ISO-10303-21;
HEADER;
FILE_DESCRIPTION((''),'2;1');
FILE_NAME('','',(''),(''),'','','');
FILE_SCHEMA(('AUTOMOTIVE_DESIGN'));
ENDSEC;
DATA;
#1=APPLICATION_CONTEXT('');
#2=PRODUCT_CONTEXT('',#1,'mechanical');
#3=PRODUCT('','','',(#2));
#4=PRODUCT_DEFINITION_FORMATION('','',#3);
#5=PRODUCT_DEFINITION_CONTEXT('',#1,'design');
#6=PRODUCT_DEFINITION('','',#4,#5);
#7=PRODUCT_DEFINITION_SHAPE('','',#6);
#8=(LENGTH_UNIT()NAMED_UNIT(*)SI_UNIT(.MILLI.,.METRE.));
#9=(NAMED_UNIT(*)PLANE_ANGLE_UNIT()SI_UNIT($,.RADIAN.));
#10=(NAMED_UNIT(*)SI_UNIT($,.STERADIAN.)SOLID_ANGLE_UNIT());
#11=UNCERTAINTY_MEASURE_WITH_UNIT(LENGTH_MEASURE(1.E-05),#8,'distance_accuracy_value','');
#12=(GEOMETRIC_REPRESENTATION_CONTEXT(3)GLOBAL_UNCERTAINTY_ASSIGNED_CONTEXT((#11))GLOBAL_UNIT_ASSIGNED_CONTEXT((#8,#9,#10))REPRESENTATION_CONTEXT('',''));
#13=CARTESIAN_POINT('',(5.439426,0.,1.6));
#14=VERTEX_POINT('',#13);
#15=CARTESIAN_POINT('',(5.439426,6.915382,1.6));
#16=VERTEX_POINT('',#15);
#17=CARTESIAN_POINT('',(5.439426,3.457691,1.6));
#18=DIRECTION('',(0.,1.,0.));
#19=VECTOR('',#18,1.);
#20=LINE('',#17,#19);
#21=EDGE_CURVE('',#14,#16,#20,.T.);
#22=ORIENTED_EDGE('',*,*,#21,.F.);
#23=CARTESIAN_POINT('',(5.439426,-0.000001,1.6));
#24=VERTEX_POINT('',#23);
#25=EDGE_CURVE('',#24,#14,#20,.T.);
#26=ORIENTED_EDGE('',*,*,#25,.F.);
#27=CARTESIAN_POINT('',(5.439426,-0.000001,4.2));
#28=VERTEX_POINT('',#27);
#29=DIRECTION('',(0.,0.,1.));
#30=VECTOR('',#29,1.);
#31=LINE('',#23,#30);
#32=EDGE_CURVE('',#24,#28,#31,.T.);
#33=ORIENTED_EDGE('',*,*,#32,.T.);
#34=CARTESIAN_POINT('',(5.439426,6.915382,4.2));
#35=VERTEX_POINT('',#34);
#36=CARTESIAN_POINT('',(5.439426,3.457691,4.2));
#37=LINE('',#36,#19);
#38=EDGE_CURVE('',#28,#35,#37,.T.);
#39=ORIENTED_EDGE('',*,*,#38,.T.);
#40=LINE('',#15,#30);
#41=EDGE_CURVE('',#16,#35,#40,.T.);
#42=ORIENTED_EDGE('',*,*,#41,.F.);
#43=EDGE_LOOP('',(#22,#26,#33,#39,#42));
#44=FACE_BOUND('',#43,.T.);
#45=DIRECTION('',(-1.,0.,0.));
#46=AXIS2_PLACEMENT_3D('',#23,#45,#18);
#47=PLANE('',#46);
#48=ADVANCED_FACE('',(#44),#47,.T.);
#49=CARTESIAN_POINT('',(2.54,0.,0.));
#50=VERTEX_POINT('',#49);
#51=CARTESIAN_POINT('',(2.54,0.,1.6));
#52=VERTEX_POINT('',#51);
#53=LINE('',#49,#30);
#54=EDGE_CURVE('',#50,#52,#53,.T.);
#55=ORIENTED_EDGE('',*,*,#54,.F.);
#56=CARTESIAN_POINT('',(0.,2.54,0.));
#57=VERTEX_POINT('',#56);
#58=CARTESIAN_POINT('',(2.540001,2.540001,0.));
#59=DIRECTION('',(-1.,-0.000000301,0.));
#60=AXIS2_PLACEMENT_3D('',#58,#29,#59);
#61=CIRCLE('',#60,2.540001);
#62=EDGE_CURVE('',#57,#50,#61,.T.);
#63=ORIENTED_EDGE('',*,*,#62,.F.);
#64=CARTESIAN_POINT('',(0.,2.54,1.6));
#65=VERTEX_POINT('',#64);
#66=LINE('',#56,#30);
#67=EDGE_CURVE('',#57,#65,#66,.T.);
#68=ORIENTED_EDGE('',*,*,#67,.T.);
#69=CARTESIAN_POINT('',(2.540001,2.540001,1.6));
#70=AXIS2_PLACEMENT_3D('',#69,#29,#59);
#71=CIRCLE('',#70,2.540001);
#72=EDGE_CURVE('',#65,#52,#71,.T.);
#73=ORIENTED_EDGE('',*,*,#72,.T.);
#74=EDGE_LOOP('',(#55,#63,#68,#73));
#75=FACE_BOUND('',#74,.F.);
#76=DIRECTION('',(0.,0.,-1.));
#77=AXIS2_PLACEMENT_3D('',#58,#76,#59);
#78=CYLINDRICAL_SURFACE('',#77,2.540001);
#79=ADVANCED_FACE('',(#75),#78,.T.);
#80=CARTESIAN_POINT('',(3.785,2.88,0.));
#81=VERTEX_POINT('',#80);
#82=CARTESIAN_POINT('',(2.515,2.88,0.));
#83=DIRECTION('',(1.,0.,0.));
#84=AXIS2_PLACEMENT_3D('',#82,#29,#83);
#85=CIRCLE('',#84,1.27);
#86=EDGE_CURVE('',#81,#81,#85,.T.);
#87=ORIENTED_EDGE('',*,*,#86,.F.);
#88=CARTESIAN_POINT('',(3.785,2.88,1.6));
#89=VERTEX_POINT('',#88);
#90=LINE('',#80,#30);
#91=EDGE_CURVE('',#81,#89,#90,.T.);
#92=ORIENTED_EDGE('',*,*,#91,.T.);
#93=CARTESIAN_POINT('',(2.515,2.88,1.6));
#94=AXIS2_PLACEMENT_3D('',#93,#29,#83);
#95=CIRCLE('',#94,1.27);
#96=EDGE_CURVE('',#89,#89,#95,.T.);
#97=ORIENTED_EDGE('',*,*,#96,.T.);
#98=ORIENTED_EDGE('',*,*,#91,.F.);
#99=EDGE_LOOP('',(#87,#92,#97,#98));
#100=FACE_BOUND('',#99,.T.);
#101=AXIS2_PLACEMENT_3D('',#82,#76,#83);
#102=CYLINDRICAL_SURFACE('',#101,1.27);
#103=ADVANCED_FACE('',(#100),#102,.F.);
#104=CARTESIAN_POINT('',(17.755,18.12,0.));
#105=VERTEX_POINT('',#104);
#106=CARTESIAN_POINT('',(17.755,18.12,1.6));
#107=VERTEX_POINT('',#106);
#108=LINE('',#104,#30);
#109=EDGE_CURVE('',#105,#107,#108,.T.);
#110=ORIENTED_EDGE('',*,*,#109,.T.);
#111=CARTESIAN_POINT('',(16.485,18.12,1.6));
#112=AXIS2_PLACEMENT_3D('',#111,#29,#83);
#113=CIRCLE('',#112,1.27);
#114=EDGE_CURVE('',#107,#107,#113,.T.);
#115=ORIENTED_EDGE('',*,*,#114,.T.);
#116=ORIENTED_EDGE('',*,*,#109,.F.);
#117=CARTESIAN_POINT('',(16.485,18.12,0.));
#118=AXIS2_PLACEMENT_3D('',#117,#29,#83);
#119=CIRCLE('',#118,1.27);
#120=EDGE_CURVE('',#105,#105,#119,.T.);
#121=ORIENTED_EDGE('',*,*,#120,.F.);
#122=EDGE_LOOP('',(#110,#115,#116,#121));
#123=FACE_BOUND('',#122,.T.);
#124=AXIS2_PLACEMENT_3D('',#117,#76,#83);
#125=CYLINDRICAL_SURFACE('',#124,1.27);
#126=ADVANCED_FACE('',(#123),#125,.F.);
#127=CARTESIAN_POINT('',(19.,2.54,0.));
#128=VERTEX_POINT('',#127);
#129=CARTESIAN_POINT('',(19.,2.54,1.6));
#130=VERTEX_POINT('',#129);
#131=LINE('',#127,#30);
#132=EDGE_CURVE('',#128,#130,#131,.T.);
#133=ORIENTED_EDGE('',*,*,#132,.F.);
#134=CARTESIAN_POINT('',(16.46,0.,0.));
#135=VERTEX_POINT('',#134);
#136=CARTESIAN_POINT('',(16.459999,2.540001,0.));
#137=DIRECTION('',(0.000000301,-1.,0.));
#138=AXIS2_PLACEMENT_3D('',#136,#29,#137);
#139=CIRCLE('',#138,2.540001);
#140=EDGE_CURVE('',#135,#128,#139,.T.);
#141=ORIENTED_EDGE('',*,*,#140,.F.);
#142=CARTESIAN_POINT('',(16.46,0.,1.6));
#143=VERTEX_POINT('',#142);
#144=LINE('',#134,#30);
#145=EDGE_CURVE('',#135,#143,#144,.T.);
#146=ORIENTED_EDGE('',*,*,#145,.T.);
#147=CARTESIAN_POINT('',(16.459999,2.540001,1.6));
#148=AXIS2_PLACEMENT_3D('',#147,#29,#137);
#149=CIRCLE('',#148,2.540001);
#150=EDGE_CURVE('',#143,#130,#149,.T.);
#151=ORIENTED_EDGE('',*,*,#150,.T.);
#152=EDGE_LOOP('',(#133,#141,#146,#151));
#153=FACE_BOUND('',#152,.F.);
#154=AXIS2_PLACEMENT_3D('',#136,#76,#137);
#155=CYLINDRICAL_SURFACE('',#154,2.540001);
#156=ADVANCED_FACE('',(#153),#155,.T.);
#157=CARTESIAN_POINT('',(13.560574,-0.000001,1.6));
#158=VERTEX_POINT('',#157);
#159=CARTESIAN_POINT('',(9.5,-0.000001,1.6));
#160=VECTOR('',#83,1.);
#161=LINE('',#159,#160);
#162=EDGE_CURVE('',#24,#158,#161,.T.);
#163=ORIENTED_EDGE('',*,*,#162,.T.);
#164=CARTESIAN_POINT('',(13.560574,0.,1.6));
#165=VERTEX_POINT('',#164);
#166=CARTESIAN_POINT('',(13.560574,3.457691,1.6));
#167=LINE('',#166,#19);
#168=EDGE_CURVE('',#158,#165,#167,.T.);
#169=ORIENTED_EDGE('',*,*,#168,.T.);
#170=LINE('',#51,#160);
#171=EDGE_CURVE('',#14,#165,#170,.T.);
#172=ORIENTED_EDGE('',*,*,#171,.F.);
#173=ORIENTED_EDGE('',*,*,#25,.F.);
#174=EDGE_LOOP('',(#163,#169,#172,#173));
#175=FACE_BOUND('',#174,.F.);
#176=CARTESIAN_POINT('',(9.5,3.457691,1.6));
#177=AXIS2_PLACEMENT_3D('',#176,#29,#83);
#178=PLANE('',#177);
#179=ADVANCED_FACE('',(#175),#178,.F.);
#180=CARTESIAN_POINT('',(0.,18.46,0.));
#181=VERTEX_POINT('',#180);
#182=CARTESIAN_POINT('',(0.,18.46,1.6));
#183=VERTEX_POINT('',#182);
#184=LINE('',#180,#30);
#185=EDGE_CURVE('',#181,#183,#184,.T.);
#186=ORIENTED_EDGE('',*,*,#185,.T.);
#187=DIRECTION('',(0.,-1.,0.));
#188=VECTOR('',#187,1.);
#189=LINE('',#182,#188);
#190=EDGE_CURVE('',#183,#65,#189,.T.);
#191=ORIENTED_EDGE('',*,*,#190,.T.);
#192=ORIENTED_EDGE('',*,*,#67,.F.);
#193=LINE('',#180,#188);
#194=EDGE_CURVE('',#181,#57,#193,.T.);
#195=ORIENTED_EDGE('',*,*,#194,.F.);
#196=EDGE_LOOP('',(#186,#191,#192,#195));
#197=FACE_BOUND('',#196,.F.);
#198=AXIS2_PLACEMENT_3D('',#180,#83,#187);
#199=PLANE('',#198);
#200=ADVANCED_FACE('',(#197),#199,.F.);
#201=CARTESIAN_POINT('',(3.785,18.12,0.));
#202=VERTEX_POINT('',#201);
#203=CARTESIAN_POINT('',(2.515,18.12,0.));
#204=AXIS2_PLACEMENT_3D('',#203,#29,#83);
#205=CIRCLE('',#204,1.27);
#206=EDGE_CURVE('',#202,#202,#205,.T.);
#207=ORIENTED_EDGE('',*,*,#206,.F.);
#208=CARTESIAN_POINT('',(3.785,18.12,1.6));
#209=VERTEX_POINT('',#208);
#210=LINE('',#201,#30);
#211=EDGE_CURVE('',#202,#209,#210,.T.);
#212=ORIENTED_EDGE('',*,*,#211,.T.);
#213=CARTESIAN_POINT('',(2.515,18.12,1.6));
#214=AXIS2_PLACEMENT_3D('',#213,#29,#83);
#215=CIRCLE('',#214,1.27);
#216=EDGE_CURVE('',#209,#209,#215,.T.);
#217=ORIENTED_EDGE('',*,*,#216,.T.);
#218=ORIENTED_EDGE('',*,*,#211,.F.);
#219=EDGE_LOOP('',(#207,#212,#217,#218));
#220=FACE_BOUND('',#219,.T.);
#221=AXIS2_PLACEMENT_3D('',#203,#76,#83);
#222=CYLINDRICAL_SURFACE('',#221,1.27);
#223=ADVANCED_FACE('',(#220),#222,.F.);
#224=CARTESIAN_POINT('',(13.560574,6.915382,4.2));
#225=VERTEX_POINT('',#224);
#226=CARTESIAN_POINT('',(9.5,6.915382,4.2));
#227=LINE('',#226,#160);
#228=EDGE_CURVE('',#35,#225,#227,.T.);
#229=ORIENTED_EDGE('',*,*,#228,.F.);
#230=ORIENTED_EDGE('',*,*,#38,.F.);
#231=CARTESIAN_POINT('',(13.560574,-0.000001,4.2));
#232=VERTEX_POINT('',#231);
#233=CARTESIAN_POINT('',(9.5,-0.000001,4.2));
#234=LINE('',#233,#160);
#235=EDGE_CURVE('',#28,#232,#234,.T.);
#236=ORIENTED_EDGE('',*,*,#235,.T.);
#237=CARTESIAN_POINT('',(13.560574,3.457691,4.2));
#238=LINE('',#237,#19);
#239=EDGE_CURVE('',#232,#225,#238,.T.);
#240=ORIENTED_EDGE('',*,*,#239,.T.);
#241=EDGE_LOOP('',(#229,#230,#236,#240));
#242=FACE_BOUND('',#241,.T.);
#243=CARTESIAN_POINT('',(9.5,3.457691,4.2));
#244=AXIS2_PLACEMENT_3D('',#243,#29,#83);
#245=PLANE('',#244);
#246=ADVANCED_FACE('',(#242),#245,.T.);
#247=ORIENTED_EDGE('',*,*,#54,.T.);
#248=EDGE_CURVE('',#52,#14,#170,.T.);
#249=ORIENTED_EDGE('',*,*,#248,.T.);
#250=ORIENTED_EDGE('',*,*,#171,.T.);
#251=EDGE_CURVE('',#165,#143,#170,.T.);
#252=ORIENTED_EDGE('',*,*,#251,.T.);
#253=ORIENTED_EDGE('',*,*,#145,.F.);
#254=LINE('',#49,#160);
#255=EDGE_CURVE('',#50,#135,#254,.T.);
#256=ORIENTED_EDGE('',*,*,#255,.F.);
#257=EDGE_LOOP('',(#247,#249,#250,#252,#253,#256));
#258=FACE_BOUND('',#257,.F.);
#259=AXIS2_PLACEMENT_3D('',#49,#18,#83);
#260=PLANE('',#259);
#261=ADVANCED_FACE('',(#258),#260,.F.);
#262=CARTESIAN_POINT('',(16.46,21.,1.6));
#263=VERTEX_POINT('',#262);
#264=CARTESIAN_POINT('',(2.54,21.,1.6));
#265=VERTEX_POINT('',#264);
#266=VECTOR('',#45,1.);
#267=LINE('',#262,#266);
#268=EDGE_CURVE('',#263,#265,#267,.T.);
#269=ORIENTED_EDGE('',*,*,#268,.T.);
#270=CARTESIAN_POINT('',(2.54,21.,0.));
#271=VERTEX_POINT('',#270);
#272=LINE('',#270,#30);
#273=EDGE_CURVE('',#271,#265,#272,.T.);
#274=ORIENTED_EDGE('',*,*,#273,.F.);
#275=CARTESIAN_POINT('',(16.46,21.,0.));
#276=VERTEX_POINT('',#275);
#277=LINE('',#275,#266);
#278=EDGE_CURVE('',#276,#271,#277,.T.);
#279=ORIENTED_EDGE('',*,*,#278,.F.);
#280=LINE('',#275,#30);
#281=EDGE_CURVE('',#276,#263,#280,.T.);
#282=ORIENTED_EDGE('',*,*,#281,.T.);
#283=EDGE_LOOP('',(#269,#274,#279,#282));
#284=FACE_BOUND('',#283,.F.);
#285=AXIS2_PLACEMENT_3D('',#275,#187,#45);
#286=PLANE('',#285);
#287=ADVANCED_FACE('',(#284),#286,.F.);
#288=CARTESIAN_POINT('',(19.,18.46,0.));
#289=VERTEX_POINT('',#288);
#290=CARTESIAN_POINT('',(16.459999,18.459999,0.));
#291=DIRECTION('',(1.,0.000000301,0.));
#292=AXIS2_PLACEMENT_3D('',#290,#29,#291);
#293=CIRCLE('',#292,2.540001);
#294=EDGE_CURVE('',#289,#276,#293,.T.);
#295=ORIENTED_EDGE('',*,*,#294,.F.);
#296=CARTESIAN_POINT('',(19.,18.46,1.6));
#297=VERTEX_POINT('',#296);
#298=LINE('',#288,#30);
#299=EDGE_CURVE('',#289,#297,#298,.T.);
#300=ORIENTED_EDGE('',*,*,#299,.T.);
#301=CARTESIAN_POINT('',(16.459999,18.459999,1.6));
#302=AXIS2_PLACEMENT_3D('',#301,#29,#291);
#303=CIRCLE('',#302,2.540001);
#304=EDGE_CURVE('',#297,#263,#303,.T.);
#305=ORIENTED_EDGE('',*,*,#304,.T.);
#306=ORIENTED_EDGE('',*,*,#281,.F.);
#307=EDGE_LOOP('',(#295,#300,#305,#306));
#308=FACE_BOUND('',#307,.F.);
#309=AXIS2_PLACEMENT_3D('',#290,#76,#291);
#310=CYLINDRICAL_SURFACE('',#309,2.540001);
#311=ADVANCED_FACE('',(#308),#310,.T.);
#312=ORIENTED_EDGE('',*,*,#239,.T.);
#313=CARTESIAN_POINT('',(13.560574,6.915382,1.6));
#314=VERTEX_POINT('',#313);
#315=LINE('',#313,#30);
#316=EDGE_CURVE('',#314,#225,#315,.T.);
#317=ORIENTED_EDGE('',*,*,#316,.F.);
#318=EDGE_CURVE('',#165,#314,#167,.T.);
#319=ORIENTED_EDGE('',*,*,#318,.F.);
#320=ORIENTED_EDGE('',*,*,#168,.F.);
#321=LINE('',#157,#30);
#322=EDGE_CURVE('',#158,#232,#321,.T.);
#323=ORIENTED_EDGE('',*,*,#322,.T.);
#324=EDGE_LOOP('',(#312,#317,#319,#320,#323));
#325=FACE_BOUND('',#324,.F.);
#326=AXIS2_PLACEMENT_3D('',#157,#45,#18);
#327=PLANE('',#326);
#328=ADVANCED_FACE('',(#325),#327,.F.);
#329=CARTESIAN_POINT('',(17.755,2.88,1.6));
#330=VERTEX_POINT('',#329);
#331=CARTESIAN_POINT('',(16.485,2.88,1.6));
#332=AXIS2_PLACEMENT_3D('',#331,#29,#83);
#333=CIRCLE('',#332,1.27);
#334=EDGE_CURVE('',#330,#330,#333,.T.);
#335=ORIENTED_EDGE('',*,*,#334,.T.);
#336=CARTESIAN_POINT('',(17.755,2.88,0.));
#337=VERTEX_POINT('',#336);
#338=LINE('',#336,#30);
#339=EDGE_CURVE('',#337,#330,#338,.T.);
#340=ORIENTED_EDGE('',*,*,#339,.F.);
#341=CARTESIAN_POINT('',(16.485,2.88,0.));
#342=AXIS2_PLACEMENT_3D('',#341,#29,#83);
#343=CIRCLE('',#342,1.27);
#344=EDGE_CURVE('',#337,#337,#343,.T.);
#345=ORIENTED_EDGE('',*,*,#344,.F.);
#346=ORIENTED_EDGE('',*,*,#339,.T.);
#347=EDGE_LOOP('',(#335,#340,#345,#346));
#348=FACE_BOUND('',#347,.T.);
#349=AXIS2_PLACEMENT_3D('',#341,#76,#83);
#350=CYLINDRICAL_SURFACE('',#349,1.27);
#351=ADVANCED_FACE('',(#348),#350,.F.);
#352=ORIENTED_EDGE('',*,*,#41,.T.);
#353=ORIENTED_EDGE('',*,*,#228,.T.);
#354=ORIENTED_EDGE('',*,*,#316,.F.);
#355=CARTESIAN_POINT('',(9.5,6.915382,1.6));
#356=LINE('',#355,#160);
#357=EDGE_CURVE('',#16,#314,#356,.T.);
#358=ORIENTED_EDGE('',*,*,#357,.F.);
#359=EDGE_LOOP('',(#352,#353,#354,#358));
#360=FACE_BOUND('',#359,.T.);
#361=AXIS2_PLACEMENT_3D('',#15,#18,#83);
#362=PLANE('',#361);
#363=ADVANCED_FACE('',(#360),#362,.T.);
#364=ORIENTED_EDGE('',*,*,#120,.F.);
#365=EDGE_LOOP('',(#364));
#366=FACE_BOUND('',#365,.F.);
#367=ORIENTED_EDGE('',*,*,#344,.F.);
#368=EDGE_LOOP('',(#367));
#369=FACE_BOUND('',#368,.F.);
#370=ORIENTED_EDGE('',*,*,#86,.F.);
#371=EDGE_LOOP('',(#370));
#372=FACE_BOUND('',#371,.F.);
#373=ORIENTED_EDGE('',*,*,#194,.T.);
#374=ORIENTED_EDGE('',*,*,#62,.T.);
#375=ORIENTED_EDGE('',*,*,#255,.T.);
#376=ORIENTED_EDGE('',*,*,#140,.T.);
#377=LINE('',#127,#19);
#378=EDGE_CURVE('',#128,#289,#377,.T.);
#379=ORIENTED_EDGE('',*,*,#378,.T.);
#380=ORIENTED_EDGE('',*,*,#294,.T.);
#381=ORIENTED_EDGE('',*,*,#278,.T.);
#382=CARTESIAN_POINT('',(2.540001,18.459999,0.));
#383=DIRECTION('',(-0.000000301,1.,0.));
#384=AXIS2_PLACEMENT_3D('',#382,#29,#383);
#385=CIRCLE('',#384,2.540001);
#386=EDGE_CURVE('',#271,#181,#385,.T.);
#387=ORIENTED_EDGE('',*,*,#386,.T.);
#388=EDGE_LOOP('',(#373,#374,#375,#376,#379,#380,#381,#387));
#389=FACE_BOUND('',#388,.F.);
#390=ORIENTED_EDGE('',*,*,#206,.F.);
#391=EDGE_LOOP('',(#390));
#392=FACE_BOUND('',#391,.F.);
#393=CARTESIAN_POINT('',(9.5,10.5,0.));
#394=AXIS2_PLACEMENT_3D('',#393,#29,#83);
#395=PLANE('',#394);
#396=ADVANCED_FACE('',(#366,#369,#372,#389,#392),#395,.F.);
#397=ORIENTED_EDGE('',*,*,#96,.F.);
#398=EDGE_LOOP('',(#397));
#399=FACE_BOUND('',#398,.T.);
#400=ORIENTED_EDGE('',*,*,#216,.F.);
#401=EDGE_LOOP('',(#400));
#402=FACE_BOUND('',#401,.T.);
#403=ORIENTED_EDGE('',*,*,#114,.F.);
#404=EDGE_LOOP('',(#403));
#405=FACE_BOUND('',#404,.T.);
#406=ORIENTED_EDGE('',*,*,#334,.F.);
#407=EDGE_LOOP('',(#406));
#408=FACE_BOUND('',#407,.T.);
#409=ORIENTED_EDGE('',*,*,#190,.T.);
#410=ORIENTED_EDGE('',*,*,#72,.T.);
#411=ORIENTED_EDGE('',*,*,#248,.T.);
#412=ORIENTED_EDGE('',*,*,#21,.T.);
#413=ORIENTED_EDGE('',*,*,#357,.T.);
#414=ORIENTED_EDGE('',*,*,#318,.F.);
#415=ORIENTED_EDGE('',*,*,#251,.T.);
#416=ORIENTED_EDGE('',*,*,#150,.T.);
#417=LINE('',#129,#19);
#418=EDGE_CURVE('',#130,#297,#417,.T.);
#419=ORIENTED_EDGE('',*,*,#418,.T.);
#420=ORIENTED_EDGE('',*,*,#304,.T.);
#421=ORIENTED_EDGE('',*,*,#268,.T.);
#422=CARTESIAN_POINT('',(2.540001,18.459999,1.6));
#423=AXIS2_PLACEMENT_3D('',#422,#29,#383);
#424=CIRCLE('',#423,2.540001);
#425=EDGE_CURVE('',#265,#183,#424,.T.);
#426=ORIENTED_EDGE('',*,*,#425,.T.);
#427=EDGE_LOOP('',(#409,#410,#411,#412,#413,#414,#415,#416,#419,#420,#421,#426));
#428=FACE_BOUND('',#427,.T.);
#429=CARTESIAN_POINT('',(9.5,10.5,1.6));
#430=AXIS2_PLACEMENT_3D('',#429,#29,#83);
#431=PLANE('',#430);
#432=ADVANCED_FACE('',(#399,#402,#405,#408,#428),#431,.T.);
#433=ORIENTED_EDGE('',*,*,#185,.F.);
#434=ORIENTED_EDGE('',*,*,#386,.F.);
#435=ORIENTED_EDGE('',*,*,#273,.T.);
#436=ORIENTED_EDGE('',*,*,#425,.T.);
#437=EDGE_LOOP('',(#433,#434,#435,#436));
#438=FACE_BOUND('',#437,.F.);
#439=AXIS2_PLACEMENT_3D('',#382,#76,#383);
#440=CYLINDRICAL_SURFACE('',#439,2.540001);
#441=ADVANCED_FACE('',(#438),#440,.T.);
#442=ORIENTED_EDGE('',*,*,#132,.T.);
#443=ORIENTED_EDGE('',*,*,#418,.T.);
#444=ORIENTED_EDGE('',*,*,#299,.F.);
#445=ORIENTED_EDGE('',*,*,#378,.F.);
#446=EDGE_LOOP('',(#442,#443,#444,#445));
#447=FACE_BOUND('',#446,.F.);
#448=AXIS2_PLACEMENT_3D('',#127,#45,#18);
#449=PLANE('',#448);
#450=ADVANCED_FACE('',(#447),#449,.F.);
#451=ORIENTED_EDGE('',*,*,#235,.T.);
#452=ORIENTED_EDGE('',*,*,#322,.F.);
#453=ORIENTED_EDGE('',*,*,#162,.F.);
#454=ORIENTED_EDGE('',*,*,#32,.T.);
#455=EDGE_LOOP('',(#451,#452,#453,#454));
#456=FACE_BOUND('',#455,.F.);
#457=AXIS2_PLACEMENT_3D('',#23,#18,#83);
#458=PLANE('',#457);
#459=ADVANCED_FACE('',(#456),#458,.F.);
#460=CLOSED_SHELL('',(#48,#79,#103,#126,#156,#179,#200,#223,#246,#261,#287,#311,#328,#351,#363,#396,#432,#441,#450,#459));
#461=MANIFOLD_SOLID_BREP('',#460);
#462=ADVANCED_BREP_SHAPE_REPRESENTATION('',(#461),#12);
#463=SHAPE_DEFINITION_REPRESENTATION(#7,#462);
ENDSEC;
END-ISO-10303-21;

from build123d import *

# Parameters (mm, degrees)
F0_R     = 1.27
F1_DEPTH = 1.6
F2_W     = 8.121148
F2_H     = 6.915383
F3_DEPTH = 2.6


with BuildPart() as f1:
    # F0 (on Top) → F1 (new body)
    with BuildSketch(Plane.XY):
        with BuildLine():
            ThreePointArc((0, 2.54), (0.743949, 0.743949), (2.54, 0))
            Line((2.54, 0), (16.46, 0))
            ThreePointArc((16.46, 0), (18.256051, 0.743949), (19, 2.54))
            Line((19, 2.54), (19, 18.46))
            ThreePointArc((19, 18.46), (18.256051, 20.256051), (16.46, 21))
            Line((16.46, 21), (2.54, 21))
            ThreePointArc((2.54, 21), (0.743949, 20.256051), (0, 18.46))
            Line((0, 18.46), (0, 2.54))
        make_face()
        with Locations((2.515, 2.88)):
            Circle(F0_R, mode=Mode.SUBTRACT)
        with Locations((16.485, 2.88)):
            Circle(F0_R, mode=Mode.SUBTRACT)
        with Locations((2.515, 18.12)):
            Circle(F0_R, mode=Mode.SUBTRACT)
        with Locations((16.485, 18.12)):
            Circle(F0_R, mode=Mode.SUBTRACT)
    extrude(amount=F1_DEPTH)

    # F2 (on face) → F3 (join)
    with BuildSketch(Plane.XY.offset(1.6)):
        with Locations((9.5, 3.457691)):
            Rectangle(F2_W, F2_H)
    extrude(amount=F3_DEPTH)


solid = f1.part
